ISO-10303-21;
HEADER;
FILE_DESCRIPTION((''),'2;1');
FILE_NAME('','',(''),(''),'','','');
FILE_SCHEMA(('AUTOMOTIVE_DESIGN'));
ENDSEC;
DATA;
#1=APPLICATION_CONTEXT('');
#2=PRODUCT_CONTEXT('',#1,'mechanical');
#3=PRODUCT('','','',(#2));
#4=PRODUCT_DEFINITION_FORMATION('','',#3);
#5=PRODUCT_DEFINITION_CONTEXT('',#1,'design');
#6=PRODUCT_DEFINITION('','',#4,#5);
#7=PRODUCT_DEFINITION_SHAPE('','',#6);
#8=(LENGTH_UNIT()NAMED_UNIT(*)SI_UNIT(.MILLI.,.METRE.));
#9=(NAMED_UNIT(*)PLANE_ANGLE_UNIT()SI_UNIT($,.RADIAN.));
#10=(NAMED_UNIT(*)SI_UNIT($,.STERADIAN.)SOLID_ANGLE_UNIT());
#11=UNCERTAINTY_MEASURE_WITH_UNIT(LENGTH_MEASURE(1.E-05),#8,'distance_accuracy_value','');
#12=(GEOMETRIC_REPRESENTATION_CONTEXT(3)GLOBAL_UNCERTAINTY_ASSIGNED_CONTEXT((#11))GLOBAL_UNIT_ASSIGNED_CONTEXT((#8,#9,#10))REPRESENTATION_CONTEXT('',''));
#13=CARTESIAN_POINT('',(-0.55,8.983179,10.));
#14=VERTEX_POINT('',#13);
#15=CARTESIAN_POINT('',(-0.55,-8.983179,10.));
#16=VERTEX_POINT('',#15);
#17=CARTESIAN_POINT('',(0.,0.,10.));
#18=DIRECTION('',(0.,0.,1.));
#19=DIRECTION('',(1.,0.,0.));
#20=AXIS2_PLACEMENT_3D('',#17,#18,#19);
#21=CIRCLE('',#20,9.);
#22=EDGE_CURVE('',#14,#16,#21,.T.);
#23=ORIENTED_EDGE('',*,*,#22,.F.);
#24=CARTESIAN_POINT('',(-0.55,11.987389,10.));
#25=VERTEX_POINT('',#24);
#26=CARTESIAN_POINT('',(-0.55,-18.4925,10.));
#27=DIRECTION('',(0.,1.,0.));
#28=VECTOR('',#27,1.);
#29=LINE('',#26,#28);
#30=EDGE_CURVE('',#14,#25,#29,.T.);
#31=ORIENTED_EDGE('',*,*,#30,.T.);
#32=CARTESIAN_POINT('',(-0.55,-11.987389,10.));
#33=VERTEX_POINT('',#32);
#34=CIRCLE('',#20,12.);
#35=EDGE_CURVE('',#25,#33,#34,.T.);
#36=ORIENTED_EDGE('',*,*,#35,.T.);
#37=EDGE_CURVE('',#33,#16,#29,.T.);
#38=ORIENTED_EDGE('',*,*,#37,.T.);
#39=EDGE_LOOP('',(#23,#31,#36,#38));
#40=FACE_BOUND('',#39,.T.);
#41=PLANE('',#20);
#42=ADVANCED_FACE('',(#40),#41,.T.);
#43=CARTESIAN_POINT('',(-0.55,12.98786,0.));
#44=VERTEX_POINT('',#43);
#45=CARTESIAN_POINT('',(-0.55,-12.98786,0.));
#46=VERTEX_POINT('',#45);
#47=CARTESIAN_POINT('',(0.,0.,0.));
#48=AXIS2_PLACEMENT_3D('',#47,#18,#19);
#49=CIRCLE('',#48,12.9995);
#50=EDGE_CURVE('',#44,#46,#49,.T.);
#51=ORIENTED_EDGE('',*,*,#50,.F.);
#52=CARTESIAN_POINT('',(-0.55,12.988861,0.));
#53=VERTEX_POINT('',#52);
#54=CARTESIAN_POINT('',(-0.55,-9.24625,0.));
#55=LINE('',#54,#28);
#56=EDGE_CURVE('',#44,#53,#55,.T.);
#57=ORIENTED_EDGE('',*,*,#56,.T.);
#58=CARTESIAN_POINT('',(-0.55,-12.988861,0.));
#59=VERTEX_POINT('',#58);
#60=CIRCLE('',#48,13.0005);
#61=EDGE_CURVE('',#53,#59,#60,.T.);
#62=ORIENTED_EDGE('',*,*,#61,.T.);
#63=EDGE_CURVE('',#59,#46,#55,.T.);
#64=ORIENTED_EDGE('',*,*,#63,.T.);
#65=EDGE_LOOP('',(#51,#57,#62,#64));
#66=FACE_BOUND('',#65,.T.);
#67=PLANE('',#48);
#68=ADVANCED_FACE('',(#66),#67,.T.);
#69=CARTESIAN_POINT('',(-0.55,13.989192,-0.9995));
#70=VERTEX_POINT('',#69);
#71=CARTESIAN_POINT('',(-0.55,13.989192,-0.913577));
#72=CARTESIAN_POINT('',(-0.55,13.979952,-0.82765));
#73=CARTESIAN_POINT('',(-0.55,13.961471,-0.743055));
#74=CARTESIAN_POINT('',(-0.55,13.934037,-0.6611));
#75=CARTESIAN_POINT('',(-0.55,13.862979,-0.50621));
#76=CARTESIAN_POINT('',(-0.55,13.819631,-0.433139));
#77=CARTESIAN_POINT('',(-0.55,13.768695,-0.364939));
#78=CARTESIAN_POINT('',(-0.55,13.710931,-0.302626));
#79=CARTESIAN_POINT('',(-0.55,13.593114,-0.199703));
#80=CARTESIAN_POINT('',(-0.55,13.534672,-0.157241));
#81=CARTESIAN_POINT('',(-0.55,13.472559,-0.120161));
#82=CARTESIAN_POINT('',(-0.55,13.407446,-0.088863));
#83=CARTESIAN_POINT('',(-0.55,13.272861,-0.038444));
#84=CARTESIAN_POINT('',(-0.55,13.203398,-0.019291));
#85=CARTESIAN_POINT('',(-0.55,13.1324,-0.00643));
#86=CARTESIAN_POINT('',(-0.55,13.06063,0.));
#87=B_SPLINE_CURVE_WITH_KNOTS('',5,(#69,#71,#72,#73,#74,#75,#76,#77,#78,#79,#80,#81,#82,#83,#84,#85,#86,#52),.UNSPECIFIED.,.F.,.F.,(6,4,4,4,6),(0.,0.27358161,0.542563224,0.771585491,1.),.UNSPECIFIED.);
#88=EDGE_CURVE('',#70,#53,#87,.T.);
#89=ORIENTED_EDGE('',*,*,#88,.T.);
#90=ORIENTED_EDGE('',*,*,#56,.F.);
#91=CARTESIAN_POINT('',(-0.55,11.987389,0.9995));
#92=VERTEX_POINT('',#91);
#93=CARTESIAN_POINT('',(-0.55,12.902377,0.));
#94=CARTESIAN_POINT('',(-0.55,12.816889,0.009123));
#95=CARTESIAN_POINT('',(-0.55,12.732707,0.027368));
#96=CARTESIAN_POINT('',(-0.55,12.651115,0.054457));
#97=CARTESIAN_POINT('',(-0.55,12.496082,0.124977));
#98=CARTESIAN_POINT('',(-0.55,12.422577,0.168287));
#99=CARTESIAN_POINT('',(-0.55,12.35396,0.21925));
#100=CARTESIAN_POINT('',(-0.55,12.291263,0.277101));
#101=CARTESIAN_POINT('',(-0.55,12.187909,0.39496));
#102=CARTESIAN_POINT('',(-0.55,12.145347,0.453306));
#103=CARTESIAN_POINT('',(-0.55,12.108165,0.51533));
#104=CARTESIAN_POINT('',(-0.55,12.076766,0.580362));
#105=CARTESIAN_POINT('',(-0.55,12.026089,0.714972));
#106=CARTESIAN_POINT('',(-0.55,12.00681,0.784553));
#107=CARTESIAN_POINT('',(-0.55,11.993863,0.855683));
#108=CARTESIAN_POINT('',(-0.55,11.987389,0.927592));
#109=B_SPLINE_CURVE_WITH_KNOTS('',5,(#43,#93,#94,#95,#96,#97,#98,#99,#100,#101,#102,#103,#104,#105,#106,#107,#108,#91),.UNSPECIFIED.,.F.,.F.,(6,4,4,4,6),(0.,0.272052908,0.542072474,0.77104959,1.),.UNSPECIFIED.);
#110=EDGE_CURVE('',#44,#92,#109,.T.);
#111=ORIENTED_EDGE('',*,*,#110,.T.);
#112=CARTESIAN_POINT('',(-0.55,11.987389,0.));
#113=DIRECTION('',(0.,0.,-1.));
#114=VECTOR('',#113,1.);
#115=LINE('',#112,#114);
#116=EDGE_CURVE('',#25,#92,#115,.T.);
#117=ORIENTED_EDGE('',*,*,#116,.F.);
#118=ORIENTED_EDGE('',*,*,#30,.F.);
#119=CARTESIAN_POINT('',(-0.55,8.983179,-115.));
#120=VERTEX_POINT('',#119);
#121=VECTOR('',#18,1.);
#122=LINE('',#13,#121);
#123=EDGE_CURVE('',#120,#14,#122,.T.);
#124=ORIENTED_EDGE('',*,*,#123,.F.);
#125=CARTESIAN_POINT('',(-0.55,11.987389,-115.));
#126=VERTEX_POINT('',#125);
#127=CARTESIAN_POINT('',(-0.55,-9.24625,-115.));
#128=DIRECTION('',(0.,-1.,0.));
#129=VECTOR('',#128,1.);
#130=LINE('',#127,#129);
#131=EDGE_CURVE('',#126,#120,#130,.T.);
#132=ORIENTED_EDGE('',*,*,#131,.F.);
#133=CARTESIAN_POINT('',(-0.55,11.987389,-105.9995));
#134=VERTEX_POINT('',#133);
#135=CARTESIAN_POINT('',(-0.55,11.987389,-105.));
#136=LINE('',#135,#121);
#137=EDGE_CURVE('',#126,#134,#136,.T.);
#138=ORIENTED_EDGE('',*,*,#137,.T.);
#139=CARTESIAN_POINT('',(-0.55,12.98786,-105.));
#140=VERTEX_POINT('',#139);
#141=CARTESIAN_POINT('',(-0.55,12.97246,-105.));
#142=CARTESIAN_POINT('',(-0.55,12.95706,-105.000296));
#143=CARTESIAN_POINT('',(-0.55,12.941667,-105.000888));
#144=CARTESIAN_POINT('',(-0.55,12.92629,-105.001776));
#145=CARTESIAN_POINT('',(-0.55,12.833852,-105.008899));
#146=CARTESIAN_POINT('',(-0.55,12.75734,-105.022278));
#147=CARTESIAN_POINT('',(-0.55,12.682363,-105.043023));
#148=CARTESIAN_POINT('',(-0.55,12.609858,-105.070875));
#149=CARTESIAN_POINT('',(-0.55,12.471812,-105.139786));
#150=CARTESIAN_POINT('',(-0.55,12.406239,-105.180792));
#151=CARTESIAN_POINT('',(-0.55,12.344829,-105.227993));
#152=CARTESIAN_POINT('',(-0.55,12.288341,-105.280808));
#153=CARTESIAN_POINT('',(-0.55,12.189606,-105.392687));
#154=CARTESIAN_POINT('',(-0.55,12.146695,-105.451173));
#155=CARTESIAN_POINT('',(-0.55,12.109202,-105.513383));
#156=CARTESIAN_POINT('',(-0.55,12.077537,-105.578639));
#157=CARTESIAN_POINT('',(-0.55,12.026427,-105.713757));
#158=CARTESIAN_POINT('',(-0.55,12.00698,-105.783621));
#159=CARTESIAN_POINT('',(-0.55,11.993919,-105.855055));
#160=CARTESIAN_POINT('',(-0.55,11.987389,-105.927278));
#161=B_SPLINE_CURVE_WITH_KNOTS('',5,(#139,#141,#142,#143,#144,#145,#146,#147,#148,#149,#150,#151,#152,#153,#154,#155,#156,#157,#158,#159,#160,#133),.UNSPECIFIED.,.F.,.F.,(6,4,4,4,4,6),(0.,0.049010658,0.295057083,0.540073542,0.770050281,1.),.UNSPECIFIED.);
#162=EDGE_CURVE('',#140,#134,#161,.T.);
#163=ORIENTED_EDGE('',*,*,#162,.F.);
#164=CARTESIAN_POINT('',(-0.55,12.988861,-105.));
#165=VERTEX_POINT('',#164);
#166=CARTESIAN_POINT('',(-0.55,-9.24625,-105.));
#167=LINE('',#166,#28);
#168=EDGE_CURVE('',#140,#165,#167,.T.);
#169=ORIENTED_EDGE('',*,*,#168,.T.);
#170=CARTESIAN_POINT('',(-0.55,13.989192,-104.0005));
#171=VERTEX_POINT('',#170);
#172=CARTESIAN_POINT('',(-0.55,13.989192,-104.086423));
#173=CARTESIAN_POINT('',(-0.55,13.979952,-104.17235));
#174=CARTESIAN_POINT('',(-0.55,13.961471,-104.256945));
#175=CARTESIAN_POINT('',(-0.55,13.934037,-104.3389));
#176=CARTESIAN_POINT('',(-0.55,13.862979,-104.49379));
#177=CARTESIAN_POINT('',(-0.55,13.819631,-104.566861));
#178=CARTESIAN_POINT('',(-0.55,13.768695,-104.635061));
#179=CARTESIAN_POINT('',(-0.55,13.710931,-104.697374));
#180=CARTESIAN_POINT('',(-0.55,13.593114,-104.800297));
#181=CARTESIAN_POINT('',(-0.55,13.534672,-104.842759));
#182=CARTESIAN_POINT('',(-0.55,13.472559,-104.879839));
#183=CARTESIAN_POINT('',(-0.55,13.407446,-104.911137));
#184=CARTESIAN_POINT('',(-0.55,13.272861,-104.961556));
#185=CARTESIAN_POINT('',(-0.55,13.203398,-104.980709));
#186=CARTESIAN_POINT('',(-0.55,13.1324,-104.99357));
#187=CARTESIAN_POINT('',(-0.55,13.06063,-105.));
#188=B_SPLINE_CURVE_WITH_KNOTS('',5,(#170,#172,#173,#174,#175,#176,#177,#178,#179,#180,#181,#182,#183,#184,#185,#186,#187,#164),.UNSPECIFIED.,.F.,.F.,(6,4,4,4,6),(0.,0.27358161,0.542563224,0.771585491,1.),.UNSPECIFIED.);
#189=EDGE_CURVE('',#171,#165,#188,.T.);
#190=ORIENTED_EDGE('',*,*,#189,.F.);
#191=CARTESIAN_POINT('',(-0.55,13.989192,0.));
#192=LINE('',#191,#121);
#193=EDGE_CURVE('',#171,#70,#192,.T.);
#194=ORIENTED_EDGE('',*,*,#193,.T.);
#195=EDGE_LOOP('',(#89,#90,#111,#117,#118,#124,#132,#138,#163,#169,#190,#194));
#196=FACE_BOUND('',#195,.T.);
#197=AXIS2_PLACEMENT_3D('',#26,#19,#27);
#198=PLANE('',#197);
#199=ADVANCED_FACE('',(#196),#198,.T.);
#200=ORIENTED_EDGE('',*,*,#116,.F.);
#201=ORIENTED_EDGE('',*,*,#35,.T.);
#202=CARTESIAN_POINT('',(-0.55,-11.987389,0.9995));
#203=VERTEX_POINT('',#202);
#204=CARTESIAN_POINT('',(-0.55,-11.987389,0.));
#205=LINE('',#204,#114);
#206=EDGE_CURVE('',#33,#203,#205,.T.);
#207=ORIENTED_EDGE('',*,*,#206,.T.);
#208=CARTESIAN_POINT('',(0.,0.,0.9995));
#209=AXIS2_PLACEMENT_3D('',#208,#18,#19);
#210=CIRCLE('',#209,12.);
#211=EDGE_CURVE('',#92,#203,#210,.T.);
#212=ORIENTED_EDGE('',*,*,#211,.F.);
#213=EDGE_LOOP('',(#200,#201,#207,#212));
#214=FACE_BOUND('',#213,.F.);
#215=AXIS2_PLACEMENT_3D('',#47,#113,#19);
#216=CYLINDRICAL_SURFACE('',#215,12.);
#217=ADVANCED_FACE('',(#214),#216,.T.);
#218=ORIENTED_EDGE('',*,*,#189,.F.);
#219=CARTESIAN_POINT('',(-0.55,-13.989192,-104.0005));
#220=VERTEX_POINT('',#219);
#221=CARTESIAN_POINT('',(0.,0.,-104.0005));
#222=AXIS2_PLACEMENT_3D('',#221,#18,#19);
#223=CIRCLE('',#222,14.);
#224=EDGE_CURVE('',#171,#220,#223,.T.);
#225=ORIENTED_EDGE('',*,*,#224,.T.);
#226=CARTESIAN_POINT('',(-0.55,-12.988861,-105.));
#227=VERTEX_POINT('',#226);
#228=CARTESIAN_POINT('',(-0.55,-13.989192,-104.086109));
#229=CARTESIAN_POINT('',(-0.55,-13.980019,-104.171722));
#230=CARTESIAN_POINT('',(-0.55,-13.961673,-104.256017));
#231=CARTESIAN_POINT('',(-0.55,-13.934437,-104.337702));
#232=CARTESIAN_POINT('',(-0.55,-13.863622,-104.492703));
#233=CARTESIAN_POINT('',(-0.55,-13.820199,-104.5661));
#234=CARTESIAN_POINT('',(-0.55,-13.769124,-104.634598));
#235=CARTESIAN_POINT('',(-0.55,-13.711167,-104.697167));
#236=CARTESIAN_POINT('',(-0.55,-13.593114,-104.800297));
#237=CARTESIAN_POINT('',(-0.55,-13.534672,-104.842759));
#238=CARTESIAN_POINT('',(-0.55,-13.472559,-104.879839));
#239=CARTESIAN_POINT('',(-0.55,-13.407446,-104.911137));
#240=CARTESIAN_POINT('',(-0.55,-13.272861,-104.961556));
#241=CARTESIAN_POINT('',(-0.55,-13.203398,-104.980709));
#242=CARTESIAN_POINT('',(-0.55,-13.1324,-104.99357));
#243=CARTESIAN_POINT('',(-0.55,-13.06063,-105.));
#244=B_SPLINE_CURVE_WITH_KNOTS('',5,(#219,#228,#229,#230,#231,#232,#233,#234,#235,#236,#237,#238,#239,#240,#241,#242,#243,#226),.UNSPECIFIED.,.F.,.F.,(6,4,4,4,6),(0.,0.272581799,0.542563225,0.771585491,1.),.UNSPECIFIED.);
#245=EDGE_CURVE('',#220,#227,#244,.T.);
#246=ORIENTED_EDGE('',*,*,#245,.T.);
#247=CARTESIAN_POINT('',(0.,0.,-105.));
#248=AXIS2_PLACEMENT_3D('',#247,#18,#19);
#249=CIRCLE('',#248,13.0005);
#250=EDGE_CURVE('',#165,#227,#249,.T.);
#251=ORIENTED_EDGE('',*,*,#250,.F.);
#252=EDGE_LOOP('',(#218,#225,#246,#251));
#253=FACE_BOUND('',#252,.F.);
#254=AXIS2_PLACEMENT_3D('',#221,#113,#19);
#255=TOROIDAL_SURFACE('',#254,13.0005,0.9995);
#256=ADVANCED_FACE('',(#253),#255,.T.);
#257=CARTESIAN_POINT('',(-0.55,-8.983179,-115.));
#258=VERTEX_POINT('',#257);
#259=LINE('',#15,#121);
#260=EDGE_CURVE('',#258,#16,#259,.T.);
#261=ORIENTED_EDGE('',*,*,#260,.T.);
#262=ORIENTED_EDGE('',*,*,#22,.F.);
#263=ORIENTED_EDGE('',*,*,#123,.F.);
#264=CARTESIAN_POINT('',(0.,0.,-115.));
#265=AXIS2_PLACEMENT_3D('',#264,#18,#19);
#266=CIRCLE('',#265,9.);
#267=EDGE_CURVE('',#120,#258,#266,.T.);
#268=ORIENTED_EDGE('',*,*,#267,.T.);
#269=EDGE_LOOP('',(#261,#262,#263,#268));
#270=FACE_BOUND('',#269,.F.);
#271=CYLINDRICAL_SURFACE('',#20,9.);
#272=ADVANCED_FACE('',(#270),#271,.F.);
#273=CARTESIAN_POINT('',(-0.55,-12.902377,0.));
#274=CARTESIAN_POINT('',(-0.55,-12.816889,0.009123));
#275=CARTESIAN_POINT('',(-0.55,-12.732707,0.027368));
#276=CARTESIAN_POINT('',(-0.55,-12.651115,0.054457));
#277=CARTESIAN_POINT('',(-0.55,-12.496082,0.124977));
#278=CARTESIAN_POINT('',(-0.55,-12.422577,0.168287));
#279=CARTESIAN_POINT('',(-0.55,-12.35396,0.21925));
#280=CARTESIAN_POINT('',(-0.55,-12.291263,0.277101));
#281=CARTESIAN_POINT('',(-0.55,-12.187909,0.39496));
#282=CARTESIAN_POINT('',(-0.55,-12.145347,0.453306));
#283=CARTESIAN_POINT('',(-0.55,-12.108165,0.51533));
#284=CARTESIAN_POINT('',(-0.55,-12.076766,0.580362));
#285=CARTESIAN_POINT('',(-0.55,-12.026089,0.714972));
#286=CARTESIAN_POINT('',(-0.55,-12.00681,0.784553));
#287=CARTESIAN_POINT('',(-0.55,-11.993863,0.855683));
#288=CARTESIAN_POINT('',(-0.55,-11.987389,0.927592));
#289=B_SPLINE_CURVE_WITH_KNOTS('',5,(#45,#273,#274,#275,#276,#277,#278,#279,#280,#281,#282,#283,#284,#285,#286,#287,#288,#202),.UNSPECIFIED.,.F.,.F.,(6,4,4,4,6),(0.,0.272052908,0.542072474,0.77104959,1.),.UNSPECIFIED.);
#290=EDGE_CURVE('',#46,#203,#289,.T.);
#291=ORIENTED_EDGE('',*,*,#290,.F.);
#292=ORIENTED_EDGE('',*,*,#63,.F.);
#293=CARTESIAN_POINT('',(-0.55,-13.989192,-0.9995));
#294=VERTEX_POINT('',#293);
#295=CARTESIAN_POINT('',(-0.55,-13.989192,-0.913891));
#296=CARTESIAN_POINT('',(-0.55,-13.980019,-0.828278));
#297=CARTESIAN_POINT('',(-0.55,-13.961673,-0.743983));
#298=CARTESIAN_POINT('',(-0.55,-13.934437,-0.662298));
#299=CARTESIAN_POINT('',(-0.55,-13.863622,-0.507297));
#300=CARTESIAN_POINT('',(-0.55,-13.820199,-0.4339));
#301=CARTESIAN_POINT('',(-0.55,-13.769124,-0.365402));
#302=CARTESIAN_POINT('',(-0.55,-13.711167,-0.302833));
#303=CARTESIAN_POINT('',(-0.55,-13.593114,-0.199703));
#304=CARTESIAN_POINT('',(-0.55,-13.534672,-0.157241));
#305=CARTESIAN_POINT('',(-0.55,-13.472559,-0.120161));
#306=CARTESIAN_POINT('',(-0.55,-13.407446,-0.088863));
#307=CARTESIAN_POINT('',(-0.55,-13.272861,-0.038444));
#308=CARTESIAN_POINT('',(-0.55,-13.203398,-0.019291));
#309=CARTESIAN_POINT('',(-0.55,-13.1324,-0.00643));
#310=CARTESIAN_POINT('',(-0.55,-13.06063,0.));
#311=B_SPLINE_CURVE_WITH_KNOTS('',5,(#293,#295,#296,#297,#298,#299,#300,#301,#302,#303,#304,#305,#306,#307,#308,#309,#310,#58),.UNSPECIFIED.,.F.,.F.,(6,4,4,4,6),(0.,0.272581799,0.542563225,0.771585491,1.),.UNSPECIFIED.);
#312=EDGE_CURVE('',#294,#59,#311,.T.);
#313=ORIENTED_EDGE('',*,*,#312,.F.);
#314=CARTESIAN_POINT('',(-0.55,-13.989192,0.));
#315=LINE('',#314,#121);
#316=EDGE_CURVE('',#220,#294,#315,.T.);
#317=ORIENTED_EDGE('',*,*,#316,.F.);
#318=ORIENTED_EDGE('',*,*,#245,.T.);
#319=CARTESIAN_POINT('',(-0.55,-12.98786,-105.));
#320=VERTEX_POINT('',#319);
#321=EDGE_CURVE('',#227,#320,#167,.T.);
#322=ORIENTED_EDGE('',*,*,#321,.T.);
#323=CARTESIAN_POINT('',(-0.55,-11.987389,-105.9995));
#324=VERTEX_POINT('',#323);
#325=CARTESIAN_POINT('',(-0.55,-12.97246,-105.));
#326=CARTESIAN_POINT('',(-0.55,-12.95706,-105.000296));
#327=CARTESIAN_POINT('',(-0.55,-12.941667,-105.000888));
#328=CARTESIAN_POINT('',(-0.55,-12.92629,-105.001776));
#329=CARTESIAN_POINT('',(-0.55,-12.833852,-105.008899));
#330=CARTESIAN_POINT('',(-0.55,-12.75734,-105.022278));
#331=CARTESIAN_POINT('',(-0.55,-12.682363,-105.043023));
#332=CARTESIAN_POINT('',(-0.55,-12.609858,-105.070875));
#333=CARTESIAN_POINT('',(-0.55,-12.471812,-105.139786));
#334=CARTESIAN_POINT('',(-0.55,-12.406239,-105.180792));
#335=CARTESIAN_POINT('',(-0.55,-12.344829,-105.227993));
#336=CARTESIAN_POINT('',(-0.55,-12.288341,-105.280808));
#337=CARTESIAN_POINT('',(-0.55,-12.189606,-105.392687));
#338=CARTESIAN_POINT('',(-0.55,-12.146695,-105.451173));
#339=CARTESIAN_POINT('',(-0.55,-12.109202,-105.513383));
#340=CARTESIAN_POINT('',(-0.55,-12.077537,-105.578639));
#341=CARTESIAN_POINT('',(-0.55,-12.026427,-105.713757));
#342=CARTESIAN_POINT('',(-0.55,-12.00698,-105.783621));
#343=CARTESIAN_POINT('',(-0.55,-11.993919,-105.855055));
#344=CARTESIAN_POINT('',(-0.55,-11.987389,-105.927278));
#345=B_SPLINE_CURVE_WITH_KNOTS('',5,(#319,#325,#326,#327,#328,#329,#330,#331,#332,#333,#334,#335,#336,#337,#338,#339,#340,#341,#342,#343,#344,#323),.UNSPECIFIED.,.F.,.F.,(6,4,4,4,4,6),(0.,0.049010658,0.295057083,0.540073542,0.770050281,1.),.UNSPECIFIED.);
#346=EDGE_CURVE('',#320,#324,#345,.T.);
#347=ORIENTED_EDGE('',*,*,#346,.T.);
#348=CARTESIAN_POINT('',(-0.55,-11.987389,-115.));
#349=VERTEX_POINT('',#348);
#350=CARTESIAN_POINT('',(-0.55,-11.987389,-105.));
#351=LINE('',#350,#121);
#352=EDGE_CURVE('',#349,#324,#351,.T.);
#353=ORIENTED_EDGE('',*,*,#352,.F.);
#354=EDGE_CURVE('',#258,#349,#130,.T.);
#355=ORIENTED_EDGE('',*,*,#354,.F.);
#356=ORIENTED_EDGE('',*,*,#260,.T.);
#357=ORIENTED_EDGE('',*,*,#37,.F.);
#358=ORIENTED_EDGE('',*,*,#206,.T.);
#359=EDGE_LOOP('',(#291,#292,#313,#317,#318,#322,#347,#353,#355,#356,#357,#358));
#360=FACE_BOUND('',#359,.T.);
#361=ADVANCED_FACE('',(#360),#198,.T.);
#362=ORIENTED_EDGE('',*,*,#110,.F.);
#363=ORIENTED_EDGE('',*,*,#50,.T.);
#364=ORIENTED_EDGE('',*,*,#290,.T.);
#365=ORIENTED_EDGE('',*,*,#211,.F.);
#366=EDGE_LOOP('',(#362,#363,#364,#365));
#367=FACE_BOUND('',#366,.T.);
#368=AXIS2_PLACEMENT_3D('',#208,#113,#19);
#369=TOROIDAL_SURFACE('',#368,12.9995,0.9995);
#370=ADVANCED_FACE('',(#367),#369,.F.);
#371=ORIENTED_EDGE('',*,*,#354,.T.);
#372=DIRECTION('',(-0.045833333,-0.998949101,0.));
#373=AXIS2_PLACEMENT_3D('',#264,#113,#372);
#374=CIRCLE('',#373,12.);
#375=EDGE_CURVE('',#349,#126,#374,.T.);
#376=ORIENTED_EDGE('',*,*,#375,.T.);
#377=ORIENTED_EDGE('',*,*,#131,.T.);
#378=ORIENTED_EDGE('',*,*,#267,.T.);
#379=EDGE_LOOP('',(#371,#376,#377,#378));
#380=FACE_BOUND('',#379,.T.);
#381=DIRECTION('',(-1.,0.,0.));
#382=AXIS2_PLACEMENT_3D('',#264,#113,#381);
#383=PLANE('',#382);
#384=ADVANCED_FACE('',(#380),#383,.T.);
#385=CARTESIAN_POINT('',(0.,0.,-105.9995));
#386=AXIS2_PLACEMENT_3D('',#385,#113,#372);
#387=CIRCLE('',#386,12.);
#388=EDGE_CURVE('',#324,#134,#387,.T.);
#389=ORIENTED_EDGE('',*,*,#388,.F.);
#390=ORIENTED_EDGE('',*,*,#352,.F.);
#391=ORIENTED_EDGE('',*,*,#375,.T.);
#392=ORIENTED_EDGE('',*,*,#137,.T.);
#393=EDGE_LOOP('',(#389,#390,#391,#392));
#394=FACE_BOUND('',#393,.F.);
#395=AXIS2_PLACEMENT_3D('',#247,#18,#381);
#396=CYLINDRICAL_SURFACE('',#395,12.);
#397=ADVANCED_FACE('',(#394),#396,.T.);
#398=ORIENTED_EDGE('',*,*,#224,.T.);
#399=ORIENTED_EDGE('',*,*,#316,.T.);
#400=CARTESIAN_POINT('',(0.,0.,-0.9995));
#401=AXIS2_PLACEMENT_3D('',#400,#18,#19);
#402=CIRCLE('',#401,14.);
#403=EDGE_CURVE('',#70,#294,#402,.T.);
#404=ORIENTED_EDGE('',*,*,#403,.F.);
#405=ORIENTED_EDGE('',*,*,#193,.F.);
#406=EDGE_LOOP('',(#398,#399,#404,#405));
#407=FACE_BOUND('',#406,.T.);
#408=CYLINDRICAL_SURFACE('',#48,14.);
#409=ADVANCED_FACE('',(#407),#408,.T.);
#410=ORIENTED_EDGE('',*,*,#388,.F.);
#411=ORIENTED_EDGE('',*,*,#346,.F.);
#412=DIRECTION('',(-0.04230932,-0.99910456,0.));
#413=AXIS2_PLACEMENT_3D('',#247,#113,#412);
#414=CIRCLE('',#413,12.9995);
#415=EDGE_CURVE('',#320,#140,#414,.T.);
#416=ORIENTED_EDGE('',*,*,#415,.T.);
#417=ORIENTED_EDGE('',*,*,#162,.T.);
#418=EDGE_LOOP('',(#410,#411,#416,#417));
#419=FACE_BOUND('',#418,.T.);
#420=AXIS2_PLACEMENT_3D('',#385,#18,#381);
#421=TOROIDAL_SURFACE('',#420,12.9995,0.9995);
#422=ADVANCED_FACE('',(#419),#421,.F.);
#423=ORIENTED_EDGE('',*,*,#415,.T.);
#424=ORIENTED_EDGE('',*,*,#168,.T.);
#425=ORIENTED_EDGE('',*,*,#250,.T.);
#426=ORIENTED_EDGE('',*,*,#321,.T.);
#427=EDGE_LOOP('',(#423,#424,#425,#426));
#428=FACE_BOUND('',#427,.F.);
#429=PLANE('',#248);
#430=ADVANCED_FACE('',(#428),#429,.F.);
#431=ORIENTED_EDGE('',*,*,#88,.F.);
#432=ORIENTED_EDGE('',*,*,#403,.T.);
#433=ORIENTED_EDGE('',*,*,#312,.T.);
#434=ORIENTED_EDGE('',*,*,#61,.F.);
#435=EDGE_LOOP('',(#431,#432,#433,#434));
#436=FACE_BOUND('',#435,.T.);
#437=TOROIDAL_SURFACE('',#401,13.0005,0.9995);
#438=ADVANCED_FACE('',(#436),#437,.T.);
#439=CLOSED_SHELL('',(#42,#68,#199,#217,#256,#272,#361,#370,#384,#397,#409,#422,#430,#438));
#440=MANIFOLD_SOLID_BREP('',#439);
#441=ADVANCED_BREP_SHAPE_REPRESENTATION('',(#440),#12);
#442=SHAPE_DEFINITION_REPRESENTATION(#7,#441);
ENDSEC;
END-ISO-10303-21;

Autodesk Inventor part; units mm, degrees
ref_plane "YZ Plane" through (0, 0, 0) normal (1, 0, 0) x (0, 1, 0)
ref_plane "XZ Plane" through (0, 0, 0) normal (0, 1, 0) x (-1, 0, 0)
ref_plane "XY Plane" through (0, 0, 0) normal (0, 0, 1) x (1, 0, 0)
sketch "Sketch1" plane through (0, 0, 0) normal (0, 0, 1) x (1, 0, 0)
  circle A0 centre (0, 0) radius 14
  dimension "d0" = 28
extrude "Extrusion1" add sketch "Sketch1" against normal blind 105
sketch "Sketch2" plane through (0, 0, 0) normal (0, 0, 1) x (1, 0, 0)
  circle A0 centre (0, 0) radius 14 projected
  circle A1 centre (0, 0) radius 12
  dimension "d3" = 2
extrude "Extrusion2" add sketch "Sketch2" along normal blind 10 contours A1
sketch "Sketch3" plane through (0, 0, -105) normal (0, 0, -1) x (-1, 0, 0)
  circle A0 centre (0, 0) radius 12 projected
extrude "Extrusion3" add sketch "Sketch3" along normal blind 10
fillet "Fillet1" radius 1 4 edges at (-12, 0, 0) (-14, 0, 0) (-14, 0, -105) (12, 0, -105)
sketch "Sketch4" plane through (0, 0, 10) normal (0, 0, 1) x (1, 0, 0)
  circle A0 centre (0, 0) radius 12 projected
  circle A1 centre (0, 0) radius 9
  dimension "d9" = 3
extrude "Extrusion4" cut sketch "Sketch4" against normal through all contours A1
sketch "Sketch5" plane through (0, 0, 10) normal (0, 0, 1) x (1, 0, 0)
  line L0 (0, -18.4925) -> (0, 18.8644)
  line L1 (-0.55, -18.4925) -> (-0.55, 18.8644)
  line L2 (-0.55, -18.4925) -> (-0.55, -24.6298)
  line L3 (-0.55, -24.6298) -> (18.7736, -14.0631)
  line L4 (18.7736, -14.0631) -> (17.813, 9.6853)
  line L5 (17.813, 9.6853) -> (0, 24.9482)
  line L6 (0, 24.9482) -> (-0.55, 18.8644)
  point P0 (0, 0)
  dimension "d12" = 0.55
extrude "Extrusion5" cut sketch "Sketch5" against normal through all
properties part number "handle"
